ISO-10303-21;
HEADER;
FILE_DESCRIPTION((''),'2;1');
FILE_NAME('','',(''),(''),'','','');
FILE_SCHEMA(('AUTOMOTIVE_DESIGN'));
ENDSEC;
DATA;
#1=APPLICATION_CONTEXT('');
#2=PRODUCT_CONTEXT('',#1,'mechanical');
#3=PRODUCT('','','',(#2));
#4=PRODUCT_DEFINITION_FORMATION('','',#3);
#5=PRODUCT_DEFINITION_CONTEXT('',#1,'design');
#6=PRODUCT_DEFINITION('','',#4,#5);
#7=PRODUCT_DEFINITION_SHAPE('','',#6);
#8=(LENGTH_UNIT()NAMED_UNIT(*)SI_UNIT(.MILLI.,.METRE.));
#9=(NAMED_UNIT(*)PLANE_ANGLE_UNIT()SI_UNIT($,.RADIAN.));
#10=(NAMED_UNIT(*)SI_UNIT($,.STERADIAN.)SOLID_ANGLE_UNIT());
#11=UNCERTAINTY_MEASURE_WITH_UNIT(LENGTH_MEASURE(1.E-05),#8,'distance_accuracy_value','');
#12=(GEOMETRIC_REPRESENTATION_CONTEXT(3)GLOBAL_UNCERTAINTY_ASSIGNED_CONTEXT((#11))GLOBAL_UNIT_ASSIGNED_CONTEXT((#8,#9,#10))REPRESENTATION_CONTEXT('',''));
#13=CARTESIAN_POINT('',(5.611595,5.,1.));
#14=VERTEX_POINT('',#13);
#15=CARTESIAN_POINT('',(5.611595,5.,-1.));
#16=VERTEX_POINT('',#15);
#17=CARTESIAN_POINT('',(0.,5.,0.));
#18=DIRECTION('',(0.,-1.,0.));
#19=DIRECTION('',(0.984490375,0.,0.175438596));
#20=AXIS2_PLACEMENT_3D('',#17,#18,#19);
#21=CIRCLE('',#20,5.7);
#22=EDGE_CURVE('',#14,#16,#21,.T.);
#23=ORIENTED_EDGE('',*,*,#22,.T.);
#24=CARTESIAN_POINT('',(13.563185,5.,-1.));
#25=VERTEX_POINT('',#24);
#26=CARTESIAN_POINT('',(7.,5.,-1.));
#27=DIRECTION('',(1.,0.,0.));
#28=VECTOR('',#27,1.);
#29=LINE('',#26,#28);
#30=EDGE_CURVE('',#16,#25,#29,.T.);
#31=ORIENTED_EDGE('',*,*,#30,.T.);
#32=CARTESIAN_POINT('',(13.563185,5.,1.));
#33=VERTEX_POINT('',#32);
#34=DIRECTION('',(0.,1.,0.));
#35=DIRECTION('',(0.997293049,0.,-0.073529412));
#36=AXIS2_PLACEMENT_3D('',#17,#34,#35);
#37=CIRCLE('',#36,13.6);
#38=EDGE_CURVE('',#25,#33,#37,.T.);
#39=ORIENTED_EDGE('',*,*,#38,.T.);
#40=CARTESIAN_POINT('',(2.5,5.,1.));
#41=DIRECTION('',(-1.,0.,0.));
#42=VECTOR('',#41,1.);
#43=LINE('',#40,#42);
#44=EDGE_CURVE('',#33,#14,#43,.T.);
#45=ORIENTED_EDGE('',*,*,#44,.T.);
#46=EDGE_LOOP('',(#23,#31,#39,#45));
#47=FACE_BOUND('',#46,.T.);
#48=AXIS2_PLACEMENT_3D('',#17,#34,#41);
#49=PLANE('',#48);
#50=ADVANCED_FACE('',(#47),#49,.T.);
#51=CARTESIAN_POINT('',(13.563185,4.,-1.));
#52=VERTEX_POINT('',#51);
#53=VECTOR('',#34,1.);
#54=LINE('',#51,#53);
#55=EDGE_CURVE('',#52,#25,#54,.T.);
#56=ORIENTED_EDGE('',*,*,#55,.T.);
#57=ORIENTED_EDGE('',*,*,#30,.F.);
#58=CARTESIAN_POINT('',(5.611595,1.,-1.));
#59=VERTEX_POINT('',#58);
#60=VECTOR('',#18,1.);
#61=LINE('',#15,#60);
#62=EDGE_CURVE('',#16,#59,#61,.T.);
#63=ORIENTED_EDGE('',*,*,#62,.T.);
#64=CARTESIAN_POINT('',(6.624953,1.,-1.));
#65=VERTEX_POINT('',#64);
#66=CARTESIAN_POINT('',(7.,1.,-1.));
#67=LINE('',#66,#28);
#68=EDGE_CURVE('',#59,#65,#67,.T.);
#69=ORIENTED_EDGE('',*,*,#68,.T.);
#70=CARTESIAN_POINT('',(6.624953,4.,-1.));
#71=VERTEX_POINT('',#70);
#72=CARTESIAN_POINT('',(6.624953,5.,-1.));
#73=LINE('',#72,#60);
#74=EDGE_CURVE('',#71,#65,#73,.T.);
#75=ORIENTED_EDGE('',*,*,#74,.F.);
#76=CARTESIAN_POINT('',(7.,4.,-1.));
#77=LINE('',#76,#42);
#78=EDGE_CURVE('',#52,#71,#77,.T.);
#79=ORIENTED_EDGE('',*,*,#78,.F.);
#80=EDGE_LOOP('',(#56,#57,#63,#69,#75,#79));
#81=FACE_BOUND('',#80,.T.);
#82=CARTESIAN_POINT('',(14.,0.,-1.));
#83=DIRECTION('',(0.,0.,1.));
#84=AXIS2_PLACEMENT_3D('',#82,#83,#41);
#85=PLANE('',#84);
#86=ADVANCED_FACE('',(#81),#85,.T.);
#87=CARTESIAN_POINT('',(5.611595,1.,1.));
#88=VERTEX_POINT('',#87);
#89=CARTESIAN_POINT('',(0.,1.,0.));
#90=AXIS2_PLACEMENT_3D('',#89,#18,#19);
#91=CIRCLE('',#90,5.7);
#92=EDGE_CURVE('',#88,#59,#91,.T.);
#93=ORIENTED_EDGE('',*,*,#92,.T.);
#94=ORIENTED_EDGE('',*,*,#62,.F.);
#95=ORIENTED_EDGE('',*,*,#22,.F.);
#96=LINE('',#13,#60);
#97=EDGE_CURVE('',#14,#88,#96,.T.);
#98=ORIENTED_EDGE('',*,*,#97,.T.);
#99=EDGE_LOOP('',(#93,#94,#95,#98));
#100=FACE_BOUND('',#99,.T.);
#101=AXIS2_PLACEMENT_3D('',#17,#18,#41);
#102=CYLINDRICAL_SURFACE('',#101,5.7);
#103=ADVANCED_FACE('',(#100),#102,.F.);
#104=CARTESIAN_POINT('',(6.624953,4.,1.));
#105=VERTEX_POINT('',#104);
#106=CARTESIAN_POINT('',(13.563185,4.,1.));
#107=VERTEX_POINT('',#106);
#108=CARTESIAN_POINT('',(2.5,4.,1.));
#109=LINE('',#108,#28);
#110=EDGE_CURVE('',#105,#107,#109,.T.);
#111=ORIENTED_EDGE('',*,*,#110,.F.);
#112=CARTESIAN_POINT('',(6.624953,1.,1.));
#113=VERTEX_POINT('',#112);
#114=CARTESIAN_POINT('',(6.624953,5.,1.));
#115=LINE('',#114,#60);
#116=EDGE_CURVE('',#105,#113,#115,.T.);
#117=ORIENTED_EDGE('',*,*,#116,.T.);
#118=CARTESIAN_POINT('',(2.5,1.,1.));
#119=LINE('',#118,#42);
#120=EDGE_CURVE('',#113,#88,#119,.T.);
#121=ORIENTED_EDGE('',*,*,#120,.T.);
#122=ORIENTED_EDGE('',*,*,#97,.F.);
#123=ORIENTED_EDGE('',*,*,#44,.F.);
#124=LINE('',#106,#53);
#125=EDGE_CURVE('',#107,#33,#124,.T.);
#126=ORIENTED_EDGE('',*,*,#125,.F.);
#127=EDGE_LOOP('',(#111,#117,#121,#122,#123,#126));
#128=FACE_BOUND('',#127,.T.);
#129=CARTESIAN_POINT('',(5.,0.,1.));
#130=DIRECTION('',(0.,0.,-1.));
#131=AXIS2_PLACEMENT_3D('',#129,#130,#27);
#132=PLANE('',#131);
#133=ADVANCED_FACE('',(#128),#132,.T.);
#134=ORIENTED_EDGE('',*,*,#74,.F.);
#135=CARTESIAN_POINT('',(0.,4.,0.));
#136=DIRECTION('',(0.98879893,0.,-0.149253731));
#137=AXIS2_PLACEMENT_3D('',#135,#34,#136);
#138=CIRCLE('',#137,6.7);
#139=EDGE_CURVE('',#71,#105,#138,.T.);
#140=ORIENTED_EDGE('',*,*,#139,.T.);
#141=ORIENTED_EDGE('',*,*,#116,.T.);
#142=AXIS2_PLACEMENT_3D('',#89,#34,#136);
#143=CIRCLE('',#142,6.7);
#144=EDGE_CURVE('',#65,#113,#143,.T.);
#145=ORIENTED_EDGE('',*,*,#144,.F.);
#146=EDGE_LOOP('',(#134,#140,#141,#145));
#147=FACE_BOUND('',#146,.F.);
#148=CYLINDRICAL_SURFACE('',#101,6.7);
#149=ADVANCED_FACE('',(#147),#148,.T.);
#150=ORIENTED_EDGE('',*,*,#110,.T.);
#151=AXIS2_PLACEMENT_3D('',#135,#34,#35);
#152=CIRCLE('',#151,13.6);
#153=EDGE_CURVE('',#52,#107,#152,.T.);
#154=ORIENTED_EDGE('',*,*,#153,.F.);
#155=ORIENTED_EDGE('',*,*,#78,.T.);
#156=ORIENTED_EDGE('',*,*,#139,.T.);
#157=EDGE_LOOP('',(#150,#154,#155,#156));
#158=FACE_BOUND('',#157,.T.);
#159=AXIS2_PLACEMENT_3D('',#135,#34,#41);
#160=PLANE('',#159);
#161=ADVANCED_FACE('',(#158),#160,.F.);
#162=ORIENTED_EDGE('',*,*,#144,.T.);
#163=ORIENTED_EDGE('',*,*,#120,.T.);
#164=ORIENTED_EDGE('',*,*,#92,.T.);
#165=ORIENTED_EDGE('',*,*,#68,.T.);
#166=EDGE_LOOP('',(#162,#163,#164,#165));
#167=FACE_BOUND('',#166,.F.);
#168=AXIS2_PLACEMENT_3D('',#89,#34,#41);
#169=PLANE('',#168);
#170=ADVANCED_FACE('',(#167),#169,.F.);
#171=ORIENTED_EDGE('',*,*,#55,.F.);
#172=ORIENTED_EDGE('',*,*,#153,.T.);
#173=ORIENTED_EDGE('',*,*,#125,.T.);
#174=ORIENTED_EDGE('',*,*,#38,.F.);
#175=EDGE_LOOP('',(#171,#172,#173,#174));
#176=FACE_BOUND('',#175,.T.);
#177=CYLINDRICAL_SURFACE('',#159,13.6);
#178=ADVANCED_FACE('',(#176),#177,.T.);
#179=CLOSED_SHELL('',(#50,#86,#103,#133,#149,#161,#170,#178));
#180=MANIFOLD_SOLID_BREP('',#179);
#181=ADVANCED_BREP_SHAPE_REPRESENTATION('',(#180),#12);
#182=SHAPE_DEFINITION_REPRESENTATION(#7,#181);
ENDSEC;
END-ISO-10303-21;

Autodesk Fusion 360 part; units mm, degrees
sketch "Sketch tranche" plane through (0, 0, 0) normal (0, 0, 1) x (1, 0, 0)
  line L0 (-13.6, 5) -> (-5.7, 5)
  line L1 (-5.7, 5) -> (-5.7, 4)
  line L2 (-5.7, 4) -> (-13.6, 4)
  line L3 (-13.6, 4) -> (-13.6, 5)
  line L4 (-5.7, 5) -> (-6.7, 5)
  line L5 (-6.7, 5) -> (-6.7, 1)
  line L6 (-6.7, 1) -> (-5.7, 1)
  line L7 (-5.7, 1) -> (-5.7, 5)
  dimension "d9" = 1
  dimension "d10" = 6.9
  dimension "d11" = 1
  dimension "d12" = 3
  dimension "d13" = 5.7
revolve "Revolve1" add sketch "Sketch tranche" angle 360 about axis through (0, 1.75, 0) along (0, 1, 0)
sketch "Sketch6" plane through (0, 0, 0) normal (0, 1, 0) x (1, 0, 0)
  line L0 (5, -1) -> (14, -1)
  line L1 (14, -1) -> (14, 1)
  line L2 (14, 1) -> (5, 1)
  line L3 (5, 1) -> (5, -1)
  dimension "d14" = 9
extrude "Extrude2" cut sketch "Sketch6" along normal blind 8
